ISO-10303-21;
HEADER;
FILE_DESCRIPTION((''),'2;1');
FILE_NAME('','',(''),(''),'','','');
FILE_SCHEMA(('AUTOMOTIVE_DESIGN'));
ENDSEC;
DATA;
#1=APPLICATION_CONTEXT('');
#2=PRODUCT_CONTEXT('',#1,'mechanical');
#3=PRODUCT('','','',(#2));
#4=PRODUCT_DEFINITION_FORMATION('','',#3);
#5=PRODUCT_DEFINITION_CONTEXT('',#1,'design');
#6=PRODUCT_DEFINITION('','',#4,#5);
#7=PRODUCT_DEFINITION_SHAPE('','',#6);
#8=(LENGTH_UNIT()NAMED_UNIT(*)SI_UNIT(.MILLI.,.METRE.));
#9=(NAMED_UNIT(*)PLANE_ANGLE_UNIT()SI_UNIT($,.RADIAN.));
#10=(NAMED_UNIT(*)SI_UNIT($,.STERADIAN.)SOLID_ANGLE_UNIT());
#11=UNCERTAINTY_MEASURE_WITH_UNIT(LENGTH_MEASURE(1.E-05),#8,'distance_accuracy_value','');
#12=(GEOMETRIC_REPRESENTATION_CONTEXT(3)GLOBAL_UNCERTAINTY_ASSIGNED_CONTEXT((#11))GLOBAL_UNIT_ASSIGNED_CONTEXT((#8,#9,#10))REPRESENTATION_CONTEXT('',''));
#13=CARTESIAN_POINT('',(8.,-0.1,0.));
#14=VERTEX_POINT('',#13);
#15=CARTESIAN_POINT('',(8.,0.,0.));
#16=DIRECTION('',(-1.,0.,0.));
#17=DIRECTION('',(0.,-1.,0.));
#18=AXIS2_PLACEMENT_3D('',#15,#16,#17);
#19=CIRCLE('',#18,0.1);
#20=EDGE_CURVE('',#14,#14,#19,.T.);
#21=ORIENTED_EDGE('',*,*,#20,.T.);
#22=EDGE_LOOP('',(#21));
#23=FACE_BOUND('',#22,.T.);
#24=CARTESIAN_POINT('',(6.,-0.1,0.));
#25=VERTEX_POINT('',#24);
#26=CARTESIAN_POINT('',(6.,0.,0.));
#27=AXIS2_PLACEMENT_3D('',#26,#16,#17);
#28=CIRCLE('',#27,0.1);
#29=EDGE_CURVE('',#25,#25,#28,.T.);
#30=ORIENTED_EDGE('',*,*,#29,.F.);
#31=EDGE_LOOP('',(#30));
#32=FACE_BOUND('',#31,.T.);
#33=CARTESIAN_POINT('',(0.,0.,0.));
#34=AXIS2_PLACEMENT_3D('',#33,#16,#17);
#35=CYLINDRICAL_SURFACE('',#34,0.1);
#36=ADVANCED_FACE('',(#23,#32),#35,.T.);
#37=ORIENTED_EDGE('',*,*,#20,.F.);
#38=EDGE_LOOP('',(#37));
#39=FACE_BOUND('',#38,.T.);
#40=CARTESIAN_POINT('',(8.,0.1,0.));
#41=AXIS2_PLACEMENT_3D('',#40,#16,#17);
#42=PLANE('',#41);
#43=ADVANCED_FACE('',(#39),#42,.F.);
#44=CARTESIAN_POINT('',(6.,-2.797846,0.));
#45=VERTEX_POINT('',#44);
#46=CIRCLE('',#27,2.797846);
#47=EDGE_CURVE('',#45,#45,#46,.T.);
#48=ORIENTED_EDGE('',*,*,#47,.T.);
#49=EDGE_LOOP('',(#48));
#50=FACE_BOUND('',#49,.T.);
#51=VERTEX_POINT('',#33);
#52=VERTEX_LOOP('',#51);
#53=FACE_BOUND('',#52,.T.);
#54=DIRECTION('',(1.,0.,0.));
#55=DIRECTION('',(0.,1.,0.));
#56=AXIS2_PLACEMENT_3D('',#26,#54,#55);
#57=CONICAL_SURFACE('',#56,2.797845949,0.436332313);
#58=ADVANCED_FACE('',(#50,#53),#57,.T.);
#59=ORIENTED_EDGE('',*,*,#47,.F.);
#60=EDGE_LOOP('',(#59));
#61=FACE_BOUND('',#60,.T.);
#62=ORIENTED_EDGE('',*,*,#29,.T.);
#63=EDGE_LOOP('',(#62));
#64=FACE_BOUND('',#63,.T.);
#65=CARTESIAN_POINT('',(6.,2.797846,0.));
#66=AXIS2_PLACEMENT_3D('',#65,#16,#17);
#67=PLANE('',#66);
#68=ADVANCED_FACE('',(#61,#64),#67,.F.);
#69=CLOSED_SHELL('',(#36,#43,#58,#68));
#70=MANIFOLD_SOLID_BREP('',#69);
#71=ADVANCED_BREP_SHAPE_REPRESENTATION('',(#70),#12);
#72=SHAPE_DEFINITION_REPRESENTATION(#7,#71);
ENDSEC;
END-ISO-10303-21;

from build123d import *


with BuildPart() as part:
    # Esquisse1 → Révolution1 (revolve)
    with BuildSketch(Plane.XY):
        Polygon((0, 0), (6, 2.797845949), (6, 0.1), (8, 0.1), (8, 0), align=None)
    revolve(axis=Axis((0, 0, 0), (1, 0, 0)))


solid = part.part
